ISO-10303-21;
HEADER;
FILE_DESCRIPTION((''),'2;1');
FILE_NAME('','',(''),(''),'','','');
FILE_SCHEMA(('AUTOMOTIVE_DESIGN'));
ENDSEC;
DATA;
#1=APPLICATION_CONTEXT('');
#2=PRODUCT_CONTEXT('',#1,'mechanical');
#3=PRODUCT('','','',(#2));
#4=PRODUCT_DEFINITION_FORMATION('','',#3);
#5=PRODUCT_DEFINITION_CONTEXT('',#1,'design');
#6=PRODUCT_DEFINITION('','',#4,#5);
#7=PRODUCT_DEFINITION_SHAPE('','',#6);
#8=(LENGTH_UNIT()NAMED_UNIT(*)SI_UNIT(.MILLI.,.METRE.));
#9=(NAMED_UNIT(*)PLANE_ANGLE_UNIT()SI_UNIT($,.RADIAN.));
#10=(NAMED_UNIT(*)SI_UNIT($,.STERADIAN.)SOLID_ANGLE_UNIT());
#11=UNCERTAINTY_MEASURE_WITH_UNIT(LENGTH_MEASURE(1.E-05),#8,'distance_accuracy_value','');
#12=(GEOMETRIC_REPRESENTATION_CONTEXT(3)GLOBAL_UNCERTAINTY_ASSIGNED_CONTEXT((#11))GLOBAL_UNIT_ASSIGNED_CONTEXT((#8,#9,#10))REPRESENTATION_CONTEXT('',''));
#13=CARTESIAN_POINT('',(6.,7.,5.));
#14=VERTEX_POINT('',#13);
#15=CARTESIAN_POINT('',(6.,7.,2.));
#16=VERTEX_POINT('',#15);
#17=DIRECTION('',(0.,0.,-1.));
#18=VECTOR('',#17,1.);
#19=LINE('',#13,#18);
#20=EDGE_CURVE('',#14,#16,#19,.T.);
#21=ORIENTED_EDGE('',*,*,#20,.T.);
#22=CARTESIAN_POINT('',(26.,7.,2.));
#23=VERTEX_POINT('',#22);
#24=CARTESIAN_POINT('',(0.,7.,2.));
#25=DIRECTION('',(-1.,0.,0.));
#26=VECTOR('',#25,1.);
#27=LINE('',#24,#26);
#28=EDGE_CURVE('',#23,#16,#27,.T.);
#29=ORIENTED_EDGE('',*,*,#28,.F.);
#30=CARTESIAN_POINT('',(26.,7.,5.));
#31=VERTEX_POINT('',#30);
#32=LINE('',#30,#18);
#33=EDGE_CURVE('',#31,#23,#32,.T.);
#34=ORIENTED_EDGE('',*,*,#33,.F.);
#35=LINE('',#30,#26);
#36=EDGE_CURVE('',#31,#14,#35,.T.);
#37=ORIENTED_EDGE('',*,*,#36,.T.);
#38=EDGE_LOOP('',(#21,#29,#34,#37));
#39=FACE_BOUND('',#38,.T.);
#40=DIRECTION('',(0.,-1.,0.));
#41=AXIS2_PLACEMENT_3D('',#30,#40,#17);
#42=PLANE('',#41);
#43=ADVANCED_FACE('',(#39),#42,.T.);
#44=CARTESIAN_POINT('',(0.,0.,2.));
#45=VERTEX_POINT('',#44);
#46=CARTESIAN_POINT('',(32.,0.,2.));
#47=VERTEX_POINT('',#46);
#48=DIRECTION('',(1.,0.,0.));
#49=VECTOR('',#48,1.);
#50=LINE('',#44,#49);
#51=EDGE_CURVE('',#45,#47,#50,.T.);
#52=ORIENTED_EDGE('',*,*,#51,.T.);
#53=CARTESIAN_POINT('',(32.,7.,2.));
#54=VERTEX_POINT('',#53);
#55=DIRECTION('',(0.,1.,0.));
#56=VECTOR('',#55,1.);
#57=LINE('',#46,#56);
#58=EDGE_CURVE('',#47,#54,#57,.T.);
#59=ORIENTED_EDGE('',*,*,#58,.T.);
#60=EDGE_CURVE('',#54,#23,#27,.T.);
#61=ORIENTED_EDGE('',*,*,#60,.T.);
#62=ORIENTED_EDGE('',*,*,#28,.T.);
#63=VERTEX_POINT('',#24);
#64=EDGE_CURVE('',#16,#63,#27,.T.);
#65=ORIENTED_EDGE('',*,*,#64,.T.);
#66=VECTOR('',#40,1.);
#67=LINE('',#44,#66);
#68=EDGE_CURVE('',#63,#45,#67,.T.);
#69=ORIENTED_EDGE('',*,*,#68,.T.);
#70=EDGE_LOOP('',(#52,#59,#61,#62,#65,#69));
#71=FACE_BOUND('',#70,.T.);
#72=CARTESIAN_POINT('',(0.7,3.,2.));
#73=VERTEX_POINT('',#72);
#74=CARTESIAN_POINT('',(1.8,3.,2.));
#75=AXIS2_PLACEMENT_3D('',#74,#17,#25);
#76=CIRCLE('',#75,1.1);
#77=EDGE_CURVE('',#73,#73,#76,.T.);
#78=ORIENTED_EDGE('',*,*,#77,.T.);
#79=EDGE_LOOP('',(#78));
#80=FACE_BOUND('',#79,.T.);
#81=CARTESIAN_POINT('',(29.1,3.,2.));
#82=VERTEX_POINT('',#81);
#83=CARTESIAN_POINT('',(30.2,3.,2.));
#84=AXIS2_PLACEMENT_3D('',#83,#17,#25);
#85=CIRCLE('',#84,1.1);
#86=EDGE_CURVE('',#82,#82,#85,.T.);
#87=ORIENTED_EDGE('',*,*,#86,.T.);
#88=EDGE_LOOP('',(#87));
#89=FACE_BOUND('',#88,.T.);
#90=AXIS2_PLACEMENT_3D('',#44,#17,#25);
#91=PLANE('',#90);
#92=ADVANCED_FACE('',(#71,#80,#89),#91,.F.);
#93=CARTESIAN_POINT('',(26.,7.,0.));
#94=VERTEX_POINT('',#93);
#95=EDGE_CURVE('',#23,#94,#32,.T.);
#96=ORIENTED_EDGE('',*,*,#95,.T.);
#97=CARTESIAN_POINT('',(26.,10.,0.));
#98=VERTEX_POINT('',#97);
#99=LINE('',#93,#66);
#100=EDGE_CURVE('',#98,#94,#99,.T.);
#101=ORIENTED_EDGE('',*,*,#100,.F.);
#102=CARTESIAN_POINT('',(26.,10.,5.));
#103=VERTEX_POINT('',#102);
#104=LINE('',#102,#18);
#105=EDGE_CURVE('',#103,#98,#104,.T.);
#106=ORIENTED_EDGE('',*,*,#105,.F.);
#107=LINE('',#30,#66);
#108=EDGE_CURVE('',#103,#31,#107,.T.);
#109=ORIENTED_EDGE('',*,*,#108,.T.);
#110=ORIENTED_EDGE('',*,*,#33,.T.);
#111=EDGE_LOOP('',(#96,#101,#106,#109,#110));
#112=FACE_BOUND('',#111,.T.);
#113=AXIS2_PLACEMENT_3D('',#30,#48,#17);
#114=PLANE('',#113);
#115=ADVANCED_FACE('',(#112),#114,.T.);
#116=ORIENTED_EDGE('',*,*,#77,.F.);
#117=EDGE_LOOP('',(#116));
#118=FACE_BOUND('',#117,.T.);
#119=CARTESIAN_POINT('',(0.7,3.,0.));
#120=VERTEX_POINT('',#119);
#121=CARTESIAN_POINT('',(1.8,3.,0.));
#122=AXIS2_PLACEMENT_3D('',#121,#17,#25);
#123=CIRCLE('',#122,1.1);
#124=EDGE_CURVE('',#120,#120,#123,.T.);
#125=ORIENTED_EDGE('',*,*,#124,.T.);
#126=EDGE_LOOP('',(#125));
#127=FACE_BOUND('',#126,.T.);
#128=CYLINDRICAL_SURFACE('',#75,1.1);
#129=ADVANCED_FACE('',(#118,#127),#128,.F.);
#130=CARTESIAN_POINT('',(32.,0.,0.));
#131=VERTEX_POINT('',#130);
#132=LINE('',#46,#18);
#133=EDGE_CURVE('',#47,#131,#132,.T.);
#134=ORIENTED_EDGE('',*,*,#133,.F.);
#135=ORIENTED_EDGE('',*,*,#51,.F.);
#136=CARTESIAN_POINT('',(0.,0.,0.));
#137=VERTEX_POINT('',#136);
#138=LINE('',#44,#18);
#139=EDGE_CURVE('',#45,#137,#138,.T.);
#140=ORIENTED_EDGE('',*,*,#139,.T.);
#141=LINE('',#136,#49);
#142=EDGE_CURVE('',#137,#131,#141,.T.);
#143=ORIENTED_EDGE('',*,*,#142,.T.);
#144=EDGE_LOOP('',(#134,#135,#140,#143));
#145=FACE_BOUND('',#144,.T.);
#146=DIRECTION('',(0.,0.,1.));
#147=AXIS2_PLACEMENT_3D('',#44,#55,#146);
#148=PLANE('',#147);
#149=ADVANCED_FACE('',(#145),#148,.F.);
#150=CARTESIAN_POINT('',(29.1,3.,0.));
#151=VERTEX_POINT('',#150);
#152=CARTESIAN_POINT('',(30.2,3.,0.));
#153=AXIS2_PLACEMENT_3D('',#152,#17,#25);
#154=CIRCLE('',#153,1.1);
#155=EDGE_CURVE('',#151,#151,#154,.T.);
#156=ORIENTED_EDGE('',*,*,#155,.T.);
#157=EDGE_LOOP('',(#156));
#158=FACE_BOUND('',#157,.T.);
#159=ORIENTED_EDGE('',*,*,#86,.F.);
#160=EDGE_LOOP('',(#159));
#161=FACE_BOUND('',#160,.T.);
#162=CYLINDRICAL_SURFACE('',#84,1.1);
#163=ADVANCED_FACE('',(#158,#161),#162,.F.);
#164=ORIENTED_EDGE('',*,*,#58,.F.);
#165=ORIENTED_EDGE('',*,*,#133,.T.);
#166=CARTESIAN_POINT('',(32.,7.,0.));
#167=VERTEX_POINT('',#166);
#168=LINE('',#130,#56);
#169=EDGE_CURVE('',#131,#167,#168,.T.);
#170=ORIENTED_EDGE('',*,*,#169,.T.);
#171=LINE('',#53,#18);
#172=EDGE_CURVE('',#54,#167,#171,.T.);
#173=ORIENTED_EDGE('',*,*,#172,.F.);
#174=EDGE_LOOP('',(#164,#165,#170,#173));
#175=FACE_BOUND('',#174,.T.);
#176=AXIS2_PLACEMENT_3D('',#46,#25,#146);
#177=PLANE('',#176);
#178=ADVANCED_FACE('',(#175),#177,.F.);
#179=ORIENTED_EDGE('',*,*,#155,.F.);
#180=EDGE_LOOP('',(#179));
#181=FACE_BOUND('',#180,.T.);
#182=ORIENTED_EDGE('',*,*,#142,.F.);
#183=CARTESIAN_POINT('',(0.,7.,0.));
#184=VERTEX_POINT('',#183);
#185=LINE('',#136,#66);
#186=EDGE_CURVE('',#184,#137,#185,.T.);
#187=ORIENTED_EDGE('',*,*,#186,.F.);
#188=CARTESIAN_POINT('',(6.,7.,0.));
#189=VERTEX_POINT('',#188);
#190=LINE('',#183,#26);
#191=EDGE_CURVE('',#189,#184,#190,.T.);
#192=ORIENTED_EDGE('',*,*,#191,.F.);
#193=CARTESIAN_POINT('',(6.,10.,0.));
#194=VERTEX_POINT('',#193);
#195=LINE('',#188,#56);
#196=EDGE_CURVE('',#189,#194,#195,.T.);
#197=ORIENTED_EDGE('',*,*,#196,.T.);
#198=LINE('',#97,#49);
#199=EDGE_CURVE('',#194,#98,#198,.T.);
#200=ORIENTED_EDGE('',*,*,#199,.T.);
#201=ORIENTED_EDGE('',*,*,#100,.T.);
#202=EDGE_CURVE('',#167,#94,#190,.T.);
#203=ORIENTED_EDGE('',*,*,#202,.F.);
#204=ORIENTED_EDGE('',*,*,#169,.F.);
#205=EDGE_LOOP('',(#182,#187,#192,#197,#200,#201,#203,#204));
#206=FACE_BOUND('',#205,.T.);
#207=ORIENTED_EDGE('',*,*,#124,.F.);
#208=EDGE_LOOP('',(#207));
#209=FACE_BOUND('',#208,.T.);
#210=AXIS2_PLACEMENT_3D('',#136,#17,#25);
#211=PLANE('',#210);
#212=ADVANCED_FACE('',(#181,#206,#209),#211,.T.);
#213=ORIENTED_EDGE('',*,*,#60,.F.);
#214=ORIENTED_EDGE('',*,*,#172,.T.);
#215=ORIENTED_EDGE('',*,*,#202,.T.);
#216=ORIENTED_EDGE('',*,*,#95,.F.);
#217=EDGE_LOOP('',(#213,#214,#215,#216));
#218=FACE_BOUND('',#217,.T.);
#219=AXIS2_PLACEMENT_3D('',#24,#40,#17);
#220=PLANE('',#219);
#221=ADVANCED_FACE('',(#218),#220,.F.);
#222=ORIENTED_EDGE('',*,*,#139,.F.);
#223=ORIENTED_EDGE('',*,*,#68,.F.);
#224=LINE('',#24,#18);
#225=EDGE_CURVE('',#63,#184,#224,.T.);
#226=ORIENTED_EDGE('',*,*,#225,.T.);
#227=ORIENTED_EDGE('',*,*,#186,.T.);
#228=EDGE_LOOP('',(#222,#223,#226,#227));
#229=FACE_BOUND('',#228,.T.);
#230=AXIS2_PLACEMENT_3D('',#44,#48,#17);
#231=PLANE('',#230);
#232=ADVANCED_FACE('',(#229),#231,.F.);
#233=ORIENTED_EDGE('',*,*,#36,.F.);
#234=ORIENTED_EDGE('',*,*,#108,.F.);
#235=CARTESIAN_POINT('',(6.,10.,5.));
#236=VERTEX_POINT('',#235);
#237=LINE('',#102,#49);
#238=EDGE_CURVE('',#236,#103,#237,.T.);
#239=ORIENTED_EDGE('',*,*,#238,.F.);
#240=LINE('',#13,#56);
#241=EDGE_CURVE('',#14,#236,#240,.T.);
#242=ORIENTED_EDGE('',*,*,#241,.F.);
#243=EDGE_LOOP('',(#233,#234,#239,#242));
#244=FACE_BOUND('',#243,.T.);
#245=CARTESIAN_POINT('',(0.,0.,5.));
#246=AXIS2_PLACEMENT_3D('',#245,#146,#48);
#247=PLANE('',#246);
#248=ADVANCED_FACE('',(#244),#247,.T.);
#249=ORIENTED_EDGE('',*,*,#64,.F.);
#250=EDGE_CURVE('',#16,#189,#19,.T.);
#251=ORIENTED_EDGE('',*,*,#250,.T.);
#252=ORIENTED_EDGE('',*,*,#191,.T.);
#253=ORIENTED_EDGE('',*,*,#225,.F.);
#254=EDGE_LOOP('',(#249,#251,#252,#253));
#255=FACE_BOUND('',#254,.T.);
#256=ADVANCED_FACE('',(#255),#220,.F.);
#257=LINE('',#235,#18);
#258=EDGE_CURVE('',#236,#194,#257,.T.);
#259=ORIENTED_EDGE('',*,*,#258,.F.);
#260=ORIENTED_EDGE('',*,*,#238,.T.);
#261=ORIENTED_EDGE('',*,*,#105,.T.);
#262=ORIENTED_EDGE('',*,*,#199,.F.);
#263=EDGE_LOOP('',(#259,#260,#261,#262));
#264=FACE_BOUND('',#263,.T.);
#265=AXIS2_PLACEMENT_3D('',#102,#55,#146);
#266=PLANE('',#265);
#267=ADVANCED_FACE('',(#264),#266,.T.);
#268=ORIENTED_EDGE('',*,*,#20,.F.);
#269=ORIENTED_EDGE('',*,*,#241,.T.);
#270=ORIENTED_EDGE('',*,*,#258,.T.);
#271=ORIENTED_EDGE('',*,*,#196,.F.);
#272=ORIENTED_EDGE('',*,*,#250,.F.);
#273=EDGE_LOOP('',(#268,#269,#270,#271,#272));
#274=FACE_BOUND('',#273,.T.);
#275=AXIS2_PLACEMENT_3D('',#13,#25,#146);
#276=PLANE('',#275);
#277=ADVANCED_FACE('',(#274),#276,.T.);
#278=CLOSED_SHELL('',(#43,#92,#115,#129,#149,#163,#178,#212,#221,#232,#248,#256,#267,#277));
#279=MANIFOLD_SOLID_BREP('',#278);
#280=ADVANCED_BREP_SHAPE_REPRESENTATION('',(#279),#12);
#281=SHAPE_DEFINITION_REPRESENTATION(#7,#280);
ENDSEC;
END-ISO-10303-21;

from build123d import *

# Parameters (mm, degrees)
SKETCH_1_W          = 32
SKETCH_1_H          = 7
EXTRUDE_1_DEPTH     = 2
SKETCH_2_R          = 1.1
CUT_EXTRUDE_1_DEPTH = 2
SKETCH_3_W          = 20
SKETCH_3_H          = 3
EXTRUDE_2_DEPTH     = 5


with BuildPart() as part:
    # 草图1 → 凸台-拉伸1 (new body)
    with BuildSketch(Plane.XY):
        with Locations((16, 3.5)):
            Rectangle(SKETCH_1_W, SKETCH_1_H)
    extrude(amount=EXTRUDE_1_DEPTH)

    # 草图2 → 切除-拉伸1 (cut)
    with BuildSketch(Plane(origin=(0, 0, 0), x_dir=(-1, 0, 0), z_dir=(0, 0, -1))):
        with Locations((-30.2, 3)):
            Circle(SKETCH_2_R)
        with Locations((-1.8, 3)):
            Circle(SKETCH_2_R)
    extrude(amount=-CUT_EXTRUDE_1_DEPTH, mode=Mode.SUBTRACT)

    # 草图3 → 凸台-拉伸2 (add)
    with BuildSketch(Plane(origin=(0, 0, 0), x_dir=(-1, 0, 0), z_dir=(0, 0, -1))):
        with Locations((-16, 8.5)):
            Rectangle(SKETCH_3_W, SKETCH_3_H)
    extrude(amount=-EXTRUDE_2_DEPTH)


solid = part.part
